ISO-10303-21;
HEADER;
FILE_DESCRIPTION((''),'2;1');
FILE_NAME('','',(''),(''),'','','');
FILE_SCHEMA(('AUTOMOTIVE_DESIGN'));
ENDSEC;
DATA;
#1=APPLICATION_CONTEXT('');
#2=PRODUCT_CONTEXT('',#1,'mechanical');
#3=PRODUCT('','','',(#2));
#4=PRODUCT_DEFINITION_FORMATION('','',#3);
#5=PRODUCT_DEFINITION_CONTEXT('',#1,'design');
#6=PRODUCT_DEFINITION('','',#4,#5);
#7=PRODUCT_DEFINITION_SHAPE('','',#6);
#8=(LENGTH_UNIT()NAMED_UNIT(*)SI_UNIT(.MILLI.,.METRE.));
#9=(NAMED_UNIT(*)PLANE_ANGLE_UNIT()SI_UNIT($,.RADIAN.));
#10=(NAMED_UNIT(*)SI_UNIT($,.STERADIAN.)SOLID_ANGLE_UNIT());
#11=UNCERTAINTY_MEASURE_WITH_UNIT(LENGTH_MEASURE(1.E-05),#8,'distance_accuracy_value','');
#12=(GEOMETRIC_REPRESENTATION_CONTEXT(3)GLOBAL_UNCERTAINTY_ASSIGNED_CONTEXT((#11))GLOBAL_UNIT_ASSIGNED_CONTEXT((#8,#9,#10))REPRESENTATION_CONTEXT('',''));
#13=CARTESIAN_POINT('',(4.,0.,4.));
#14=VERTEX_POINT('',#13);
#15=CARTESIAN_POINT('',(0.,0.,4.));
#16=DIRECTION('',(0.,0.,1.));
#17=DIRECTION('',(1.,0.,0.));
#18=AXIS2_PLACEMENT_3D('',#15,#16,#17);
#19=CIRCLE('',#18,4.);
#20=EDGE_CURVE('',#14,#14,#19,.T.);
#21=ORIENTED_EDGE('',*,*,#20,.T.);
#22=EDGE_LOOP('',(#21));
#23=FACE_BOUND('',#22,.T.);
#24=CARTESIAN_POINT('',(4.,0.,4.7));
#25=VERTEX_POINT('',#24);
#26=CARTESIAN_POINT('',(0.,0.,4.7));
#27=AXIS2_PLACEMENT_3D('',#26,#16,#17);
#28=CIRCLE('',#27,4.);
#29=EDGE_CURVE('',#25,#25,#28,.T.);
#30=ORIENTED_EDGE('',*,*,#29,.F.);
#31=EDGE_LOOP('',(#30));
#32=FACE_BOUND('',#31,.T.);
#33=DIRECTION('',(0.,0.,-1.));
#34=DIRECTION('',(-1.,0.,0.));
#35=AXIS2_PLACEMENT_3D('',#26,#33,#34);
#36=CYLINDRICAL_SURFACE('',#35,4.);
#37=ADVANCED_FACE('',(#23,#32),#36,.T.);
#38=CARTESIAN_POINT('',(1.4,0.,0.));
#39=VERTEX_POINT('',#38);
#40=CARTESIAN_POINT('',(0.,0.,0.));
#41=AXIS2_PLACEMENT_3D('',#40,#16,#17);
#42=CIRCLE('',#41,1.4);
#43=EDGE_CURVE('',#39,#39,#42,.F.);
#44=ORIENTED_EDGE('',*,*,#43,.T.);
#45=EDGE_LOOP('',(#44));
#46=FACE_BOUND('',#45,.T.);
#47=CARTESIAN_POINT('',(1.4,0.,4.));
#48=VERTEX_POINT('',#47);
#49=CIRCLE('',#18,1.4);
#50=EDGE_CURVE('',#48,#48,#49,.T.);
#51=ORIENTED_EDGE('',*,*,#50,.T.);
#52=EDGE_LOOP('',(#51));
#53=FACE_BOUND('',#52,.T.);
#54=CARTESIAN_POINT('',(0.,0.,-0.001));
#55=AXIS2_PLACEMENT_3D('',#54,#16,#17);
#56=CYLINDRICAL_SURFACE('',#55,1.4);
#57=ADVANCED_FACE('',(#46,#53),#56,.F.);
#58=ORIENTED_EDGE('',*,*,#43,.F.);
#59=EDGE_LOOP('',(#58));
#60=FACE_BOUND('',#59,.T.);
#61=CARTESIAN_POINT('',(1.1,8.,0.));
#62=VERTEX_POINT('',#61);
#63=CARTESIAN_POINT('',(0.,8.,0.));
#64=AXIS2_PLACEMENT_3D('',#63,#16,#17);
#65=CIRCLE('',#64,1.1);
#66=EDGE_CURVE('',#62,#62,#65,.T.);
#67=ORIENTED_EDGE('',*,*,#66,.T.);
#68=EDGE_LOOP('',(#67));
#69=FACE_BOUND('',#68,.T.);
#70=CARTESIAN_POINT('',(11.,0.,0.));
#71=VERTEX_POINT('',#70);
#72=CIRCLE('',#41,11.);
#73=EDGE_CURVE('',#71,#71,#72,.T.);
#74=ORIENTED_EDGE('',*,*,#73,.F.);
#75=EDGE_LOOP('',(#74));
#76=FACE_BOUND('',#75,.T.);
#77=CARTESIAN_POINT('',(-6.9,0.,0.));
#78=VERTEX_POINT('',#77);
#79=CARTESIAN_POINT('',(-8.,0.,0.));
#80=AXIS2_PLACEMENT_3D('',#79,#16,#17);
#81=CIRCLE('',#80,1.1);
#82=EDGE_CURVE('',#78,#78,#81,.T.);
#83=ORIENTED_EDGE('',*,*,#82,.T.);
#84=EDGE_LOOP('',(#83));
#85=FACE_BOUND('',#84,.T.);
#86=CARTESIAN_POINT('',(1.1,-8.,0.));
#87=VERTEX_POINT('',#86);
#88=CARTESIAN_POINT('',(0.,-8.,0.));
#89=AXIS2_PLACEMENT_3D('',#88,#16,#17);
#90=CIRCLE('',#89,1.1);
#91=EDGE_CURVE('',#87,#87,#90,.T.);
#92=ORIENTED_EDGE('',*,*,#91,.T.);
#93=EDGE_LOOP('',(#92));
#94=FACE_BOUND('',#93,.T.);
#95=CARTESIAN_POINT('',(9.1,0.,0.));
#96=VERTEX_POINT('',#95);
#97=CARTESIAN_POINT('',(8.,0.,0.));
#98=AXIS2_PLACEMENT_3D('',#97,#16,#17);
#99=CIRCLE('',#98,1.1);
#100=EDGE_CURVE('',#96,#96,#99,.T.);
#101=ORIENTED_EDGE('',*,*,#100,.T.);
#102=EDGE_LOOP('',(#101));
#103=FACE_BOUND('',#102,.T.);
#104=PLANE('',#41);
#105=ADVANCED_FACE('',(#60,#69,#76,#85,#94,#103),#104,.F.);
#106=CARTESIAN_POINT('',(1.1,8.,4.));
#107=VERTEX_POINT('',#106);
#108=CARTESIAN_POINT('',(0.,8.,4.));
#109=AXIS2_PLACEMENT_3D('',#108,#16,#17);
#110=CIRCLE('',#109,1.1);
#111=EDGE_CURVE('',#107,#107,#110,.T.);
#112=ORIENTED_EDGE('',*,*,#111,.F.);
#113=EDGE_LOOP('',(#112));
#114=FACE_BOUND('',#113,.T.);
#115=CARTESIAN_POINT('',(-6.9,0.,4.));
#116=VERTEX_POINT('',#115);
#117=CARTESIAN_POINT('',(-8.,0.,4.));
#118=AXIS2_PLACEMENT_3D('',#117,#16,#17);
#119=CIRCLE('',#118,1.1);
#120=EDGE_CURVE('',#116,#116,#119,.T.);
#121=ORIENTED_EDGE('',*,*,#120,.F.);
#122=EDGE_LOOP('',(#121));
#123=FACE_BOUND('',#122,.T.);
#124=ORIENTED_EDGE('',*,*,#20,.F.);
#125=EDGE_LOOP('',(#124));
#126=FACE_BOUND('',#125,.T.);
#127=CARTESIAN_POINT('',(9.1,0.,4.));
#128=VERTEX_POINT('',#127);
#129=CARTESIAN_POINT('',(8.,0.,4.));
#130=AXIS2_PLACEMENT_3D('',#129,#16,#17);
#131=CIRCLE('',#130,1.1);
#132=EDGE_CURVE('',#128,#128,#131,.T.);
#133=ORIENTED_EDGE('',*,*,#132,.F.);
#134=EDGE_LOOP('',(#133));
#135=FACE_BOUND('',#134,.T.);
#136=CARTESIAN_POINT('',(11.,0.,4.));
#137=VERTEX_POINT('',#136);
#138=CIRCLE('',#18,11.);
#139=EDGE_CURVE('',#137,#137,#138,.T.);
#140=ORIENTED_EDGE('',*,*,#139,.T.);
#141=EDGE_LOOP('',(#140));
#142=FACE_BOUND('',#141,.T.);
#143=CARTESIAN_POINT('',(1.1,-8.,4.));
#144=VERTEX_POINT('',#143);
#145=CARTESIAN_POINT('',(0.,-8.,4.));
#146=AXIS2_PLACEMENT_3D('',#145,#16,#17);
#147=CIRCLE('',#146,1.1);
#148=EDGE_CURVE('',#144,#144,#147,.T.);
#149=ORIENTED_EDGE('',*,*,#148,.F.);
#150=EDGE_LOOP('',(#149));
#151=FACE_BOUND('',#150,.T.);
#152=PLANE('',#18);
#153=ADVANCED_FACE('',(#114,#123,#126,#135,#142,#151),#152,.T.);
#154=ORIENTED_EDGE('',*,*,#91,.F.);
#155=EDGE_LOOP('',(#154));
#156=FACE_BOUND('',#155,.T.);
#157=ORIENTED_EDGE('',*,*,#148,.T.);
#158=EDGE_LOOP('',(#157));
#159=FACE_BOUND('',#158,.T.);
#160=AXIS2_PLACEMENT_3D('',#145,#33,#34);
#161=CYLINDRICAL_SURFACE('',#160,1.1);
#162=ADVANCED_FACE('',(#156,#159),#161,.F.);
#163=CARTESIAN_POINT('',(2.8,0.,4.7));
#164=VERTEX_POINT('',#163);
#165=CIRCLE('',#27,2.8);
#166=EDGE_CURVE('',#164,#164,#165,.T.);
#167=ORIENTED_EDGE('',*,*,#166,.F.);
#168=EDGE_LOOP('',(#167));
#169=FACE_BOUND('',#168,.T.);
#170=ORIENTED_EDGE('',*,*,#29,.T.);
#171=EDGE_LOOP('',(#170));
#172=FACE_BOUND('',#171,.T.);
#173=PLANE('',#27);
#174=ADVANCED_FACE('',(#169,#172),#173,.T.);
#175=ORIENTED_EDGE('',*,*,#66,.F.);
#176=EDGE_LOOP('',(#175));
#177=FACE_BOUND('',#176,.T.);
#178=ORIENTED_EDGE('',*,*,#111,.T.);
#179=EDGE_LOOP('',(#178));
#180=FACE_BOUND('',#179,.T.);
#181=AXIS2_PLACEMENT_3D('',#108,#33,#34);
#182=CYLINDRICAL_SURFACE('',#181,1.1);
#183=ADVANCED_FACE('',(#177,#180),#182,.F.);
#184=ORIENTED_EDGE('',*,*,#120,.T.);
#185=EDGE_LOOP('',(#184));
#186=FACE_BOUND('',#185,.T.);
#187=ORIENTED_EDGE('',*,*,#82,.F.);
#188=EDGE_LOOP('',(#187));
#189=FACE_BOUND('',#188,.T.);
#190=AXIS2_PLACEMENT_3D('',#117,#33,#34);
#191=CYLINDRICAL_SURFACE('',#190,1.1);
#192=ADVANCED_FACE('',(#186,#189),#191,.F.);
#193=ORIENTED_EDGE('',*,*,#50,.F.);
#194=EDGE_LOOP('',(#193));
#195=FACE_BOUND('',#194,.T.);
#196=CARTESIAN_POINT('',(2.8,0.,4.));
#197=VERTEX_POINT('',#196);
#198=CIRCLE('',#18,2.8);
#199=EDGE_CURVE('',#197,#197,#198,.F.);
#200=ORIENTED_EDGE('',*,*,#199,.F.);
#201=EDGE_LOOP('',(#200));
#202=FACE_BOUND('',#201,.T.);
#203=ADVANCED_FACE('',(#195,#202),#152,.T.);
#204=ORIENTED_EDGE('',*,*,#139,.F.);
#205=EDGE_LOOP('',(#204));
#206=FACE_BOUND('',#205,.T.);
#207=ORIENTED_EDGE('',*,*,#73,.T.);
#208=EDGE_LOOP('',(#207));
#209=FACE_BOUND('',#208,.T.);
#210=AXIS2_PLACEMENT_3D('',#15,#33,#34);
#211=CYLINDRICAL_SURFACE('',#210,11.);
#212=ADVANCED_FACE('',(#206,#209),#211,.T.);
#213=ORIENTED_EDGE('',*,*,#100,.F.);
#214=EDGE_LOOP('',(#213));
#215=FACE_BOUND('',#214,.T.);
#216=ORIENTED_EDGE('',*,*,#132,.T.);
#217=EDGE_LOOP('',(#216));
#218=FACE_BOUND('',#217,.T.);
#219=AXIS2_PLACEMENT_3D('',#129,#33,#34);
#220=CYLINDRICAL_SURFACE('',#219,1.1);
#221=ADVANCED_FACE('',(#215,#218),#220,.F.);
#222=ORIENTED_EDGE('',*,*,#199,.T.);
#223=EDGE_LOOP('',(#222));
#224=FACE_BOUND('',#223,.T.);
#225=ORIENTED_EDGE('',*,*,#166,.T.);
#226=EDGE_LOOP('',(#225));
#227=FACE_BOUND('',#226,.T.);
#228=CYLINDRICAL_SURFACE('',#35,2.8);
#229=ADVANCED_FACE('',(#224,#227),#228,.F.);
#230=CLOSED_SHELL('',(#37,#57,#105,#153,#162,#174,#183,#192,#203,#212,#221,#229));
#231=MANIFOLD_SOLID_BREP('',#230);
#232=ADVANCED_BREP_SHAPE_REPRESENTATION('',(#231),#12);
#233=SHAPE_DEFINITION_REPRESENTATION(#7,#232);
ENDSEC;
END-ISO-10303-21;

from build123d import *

# Parameters (mm, degrees)
ESQUISSE1_R      = 11
ESQUISSE1_R_2    = 1.1
EXTRUSION1_DEPTH = 4
ESQUISSE2_R      = 4
ESQUISSE2_R_2    = 2.8
EXTRUSION3_DEPTH = 0.7
EXTRUSION4_REACH = 6
ESQUISSE3_R      = 1.4


with BuildPart() as part:
    # Esquisse1 → Extrusion1 (new body)
    with BuildSketch(Plane.XY):
        Circle(ESQUISSE1_R)
        with Locations((0, 8)):
            Circle(ESQUISSE1_R_2, mode=Mode.SUBTRACT)
        with Locations((-8, 0)):
            Circle(ESQUISSE1_R_2, mode=Mode.SUBTRACT)
        with Locations((8, 0)):
            Circle(ESQUISSE1_R_2, mode=Mode.SUBTRACT)
        with Locations((0, -8)):
            Circle(ESQUISSE1_R_2, mode=Mode.SUBTRACT)
    extrude(amount=EXTRUSION1_DEPTH)

    # Esquisse2 → Extrusion3 (add)
    with BuildSketch(Plane.XY.offset(4)):
        Circle(ESQUISSE2_R)
        Circle(ESQUISSE2_R_2, mode=Mode.SUBTRACT)
    extrude(amount=EXTRUSION3_DEPTH)

    # Esquisse3 → Extrusion4 (cut, up to next)
    with BuildSketch(Plane.XY.offset(4), mode=Mode.PRIVATE) as extrusion4_sk1:
        Circle(ESQUISSE3_R)
    extrusion4_tool1 = extrude(extrusion4_sk1.sketch, amount=-EXTRUSION4_REACH, mode=Mode.PRIVATE) & part.part
    add(extrusion4_tool1.solids().sort_by_distance((0, 0, 4))[0], mode=Mode.SUBTRACT)


solid = part.part
